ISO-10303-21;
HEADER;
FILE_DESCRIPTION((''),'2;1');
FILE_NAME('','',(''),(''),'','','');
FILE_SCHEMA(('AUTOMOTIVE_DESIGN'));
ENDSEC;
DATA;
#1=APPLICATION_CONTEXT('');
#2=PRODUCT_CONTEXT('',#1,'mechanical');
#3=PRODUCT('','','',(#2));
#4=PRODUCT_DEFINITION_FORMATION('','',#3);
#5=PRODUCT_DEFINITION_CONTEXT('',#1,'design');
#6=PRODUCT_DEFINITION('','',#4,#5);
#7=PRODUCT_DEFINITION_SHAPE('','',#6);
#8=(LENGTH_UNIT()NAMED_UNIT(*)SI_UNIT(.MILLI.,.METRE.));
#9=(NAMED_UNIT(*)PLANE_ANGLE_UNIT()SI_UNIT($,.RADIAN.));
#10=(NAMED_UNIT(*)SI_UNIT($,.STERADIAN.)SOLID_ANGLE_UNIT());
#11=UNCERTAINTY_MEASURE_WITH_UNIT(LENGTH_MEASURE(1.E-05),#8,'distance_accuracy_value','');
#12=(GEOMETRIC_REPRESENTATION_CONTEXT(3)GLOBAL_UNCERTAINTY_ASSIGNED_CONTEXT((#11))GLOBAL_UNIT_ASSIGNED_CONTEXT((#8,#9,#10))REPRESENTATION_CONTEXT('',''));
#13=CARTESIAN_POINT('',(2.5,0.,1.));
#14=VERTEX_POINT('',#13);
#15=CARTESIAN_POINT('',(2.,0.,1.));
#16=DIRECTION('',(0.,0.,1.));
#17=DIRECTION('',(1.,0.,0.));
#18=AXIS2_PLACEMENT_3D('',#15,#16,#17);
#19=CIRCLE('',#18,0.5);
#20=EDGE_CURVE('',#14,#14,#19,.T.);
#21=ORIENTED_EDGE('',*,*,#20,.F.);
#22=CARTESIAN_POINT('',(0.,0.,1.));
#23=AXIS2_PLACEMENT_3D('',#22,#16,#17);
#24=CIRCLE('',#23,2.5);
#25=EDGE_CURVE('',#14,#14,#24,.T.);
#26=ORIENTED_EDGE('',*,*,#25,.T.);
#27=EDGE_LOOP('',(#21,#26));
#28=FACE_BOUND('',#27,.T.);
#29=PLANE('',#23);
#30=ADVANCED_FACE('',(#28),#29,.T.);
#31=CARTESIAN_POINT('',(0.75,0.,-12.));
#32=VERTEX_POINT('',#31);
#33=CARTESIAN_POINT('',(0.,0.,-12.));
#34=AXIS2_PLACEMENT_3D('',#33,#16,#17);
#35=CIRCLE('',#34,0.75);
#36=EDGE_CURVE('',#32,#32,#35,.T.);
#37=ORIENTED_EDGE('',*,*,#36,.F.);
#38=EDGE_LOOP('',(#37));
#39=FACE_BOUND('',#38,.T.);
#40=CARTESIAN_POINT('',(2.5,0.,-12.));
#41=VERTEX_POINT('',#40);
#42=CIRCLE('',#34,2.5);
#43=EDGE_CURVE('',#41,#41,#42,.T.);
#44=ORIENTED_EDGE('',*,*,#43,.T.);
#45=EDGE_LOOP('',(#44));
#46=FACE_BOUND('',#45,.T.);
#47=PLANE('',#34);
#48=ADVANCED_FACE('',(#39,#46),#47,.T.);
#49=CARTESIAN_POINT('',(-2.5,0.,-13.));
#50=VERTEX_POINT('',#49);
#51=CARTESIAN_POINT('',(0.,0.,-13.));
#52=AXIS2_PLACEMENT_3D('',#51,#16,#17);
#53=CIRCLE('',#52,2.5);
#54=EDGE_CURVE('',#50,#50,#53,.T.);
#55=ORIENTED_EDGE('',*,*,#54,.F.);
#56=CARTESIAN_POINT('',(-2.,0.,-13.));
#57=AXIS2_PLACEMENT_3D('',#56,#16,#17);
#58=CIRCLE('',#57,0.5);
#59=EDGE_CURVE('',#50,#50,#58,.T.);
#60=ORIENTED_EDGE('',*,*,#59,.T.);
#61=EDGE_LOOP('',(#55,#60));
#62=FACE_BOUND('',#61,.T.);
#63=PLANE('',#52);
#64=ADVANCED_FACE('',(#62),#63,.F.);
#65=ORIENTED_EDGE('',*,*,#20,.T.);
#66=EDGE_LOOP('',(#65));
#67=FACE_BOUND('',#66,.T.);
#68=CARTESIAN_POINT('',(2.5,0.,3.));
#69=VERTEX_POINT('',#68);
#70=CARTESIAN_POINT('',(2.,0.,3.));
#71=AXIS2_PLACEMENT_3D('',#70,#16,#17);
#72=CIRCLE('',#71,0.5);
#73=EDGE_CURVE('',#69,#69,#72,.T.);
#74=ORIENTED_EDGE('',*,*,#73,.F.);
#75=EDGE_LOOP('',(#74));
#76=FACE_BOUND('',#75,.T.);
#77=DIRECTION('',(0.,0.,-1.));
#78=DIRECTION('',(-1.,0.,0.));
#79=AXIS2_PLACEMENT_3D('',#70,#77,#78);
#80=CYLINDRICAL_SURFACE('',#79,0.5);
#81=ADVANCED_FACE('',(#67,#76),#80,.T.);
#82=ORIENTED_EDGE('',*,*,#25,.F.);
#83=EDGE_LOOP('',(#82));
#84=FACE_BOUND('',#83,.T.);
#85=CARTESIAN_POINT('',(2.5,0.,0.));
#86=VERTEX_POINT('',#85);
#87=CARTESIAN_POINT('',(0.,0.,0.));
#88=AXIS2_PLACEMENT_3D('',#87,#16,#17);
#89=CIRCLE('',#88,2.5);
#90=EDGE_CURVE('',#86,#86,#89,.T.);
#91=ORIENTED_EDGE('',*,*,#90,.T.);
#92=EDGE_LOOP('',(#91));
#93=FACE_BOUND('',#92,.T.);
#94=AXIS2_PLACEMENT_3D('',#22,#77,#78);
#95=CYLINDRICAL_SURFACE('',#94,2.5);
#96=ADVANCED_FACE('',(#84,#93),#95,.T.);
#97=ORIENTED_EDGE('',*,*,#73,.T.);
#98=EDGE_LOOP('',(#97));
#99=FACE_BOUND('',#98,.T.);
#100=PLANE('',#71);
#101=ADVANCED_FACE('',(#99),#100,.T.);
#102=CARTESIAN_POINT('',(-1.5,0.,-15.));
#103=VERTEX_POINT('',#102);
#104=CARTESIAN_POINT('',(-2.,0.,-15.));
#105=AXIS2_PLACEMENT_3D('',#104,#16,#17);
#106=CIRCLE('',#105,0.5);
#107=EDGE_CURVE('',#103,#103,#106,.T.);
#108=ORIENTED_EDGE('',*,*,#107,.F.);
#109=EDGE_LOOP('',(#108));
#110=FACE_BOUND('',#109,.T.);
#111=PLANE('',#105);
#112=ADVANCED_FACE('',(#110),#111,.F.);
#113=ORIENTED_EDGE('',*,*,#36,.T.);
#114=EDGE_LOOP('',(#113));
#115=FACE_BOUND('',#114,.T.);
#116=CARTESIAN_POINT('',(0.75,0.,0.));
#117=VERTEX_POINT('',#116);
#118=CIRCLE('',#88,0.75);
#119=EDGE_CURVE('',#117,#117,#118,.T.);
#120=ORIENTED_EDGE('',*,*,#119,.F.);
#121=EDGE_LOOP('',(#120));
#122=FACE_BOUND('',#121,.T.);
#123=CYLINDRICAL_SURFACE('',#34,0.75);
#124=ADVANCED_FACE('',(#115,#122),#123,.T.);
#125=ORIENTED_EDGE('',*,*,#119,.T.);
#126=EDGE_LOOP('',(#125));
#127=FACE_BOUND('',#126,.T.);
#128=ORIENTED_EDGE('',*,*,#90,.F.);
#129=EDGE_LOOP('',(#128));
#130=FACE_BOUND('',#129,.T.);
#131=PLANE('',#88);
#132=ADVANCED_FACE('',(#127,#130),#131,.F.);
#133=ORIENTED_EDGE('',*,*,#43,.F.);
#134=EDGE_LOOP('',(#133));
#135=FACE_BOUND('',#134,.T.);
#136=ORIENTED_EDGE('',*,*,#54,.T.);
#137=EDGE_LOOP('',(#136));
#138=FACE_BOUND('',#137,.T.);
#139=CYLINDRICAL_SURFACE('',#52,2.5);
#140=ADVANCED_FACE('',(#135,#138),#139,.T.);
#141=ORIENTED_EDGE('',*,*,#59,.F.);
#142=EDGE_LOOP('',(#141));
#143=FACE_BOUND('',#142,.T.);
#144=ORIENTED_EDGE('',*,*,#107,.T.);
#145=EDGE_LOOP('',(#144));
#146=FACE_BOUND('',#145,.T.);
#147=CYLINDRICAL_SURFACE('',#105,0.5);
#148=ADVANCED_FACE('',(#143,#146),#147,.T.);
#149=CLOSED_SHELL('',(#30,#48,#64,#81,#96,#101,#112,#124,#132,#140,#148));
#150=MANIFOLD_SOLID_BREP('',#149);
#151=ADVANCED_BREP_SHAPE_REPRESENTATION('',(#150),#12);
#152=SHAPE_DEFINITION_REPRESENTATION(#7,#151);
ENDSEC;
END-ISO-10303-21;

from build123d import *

# Parameters (mm, degrees)
SKETCH1_R           = 2.5
BOSS_EXTRUDE1_DEPTH = 1
SKETCH1_3_R         = 0.75
BOSS_EXTRUDE2_DEPTH = 12
BOSS_EXTRUDE4_START = 1
SKETCH1_5_R         = 0.5
BOSS_EXTRUDE4_DEPTH = 2
BOSS_EXTRUDE6_START = -13
SKETCH1_7_R         = 2.5
BOSS_EXTRUDE6_DEPTH = 1
BOSS_EXTRUDE7_START = -13
SKETCH1_8_R         = 0.5
BOSS_EXTRUDE7_DEPTH = 2


with BuildPart() as part:
    # Sketch1 → Boss-Extrude1 (new body)
    with BuildSketch(Plane.XY):
        Circle(SKETCH1_R)
    extrude(amount=BOSS_EXTRUDE1_DEPTH)

    # Sketch1<3> → Boss-Extrude2 (add)
    with BuildSketch(Plane.XY):
        Circle(SKETCH1_3_R)
    extrude(amount=-BOSS_EXTRUDE2_DEPTH)

    # Sketch1<5> → Boss-Extrude4 (add)
    with BuildSketch(Plane.XY.offset(BOSS_EXTRUDE4_START)):
        with Locations((2, 0)):
            Circle(SKETCH1_5_R)
    extrude(amount=BOSS_EXTRUDE4_DEPTH)

    # Sketch1<7> → Boss-Extrude6 (add)
    with BuildSketch(Plane.XY.offset(BOSS_EXTRUDE6_START)):
        Circle(SKETCH1_7_R)
    extrude(amount=BOSS_EXTRUDE6_DEPTH)

    # Sketch1<8> → Boss-Extrude7 (add)
    with BuildSketch(Plane.XY.offset(BOSS_EXTRUDE7_START)):
        with Locations((-2, 0)):
            Circle(SKETCH1_8_R)
    extrude(amount=-BOSS_EXTRUDE7_DEPTH)


solid = part.part
